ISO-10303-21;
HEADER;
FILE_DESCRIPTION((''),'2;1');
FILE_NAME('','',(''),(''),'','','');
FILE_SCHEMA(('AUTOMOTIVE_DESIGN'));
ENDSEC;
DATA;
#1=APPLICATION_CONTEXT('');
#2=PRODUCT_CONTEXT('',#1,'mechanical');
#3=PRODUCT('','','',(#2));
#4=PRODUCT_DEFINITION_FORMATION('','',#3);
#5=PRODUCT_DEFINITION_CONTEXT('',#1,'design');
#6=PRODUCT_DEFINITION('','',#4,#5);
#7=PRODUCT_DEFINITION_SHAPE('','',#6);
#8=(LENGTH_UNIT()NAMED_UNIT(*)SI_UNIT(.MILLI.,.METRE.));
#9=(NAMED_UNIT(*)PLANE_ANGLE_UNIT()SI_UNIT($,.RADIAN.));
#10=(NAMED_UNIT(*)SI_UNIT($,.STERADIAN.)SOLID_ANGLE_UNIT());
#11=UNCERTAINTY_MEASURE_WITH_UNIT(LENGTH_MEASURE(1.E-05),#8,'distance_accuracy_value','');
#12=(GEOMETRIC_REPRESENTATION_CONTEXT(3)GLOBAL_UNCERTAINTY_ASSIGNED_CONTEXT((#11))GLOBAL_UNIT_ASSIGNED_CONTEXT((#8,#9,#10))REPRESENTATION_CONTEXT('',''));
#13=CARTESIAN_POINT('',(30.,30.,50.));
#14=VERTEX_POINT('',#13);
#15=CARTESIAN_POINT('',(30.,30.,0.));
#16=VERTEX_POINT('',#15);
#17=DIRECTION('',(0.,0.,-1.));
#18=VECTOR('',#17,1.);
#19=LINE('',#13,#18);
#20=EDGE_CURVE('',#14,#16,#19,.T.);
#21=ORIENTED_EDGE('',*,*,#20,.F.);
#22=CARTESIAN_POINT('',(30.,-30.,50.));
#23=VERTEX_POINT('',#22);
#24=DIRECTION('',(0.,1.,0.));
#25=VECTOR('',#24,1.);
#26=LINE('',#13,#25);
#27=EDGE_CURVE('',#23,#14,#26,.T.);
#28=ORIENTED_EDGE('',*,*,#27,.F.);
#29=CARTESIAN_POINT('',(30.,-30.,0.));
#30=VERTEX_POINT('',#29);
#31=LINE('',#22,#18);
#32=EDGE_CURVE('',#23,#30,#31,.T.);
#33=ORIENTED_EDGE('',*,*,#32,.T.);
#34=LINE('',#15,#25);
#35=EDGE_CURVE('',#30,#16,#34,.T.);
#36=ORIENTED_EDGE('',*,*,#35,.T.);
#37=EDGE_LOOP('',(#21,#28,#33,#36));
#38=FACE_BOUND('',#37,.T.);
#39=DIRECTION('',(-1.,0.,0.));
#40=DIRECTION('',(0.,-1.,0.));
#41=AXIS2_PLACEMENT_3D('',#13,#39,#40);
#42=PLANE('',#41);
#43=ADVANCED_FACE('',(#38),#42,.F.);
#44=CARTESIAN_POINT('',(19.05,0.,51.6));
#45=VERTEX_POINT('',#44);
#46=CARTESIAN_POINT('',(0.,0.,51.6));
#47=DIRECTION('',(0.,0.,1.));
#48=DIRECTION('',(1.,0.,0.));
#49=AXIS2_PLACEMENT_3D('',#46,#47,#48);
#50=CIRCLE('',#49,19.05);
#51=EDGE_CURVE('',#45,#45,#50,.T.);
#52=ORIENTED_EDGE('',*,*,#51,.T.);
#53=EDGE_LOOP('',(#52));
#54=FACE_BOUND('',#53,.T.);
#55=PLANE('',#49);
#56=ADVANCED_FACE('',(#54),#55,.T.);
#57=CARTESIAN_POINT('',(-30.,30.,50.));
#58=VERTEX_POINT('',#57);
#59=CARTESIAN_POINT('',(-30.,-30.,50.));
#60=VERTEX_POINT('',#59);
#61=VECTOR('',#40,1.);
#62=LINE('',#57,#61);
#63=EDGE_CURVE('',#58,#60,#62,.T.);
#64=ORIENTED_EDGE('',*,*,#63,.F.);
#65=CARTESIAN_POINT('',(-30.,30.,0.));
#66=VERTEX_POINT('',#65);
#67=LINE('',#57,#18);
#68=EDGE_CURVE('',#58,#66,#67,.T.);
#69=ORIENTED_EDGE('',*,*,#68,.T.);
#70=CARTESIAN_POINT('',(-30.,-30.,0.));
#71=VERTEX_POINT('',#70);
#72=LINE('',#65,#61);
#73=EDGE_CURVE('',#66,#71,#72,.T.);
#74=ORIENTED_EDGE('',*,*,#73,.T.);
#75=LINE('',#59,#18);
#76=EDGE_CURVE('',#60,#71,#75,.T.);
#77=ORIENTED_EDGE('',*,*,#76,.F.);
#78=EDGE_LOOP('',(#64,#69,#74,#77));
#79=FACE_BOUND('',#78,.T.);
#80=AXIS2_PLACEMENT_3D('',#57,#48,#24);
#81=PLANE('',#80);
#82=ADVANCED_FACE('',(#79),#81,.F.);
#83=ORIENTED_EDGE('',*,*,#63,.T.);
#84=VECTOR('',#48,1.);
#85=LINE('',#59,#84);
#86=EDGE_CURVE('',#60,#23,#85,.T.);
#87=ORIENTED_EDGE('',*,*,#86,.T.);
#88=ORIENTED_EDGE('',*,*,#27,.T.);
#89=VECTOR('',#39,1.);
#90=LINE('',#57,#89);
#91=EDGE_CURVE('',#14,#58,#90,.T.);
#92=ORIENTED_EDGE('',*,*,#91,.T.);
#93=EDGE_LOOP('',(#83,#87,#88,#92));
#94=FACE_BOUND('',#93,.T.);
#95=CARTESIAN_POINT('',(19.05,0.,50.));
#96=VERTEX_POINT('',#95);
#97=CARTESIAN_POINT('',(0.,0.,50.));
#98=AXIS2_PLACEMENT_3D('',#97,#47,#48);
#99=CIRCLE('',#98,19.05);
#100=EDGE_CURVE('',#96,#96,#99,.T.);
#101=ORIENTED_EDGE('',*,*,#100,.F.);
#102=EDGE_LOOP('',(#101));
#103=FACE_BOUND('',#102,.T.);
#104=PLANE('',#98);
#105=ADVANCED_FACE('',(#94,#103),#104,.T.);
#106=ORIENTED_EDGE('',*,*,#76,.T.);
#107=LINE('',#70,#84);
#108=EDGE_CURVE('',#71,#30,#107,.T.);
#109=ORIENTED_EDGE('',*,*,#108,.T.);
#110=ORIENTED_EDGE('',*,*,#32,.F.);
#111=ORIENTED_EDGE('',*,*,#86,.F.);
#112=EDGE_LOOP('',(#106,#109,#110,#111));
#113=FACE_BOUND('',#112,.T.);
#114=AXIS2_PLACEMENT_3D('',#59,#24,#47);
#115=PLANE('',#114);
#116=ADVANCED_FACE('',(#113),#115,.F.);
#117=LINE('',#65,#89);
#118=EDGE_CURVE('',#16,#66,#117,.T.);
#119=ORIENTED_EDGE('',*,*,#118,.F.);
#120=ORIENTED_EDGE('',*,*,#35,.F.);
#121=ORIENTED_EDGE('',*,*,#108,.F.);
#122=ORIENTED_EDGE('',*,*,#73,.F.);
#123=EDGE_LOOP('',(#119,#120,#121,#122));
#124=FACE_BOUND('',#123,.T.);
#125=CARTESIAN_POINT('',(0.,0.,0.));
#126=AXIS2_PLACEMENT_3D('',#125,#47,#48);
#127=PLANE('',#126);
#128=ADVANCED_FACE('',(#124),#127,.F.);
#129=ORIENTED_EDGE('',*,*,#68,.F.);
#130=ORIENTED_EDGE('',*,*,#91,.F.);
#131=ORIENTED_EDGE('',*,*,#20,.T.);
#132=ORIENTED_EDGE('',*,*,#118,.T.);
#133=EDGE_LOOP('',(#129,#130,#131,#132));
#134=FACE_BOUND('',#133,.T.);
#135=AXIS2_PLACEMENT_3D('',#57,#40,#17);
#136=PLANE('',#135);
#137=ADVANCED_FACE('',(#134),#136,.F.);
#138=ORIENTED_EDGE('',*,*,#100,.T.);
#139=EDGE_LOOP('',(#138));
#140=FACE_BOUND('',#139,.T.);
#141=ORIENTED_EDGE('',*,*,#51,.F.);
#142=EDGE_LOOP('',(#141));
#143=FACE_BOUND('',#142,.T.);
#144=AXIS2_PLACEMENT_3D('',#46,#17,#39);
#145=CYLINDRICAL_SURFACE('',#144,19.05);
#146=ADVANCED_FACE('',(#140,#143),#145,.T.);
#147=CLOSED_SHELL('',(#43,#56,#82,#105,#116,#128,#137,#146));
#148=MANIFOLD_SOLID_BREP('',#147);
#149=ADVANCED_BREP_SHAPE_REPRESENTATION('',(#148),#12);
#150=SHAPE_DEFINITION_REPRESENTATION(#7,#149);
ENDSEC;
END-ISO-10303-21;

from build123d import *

# Parameters (mm, degrees)
SKETCH_1_W      = 60
SKETCH_1_H      = 60
EXTRUDE_1_DEPTH = 50
SKETCH_2_R      = 19.05
EXTRUDE_2_DEPTH = 1.6


with BuildPart() as part:
    # 스케치1 → 보스-돌출1 (new body)
    with BuildSketch(Plane.XY):
        Rectangle(SKETCH_1_W, SKETCH_1_H)
    extrude(amount=EXTRUDE_1_DEPTH)

    # 스케치2 → 보스-돌출2 (add)
    with BuildSketch(Plane.XY.offset(50)):
        Circle(SKETCH_2_R)
    extrude(amount=EXTRUDE_2_DEPTH)


solid = part.part
